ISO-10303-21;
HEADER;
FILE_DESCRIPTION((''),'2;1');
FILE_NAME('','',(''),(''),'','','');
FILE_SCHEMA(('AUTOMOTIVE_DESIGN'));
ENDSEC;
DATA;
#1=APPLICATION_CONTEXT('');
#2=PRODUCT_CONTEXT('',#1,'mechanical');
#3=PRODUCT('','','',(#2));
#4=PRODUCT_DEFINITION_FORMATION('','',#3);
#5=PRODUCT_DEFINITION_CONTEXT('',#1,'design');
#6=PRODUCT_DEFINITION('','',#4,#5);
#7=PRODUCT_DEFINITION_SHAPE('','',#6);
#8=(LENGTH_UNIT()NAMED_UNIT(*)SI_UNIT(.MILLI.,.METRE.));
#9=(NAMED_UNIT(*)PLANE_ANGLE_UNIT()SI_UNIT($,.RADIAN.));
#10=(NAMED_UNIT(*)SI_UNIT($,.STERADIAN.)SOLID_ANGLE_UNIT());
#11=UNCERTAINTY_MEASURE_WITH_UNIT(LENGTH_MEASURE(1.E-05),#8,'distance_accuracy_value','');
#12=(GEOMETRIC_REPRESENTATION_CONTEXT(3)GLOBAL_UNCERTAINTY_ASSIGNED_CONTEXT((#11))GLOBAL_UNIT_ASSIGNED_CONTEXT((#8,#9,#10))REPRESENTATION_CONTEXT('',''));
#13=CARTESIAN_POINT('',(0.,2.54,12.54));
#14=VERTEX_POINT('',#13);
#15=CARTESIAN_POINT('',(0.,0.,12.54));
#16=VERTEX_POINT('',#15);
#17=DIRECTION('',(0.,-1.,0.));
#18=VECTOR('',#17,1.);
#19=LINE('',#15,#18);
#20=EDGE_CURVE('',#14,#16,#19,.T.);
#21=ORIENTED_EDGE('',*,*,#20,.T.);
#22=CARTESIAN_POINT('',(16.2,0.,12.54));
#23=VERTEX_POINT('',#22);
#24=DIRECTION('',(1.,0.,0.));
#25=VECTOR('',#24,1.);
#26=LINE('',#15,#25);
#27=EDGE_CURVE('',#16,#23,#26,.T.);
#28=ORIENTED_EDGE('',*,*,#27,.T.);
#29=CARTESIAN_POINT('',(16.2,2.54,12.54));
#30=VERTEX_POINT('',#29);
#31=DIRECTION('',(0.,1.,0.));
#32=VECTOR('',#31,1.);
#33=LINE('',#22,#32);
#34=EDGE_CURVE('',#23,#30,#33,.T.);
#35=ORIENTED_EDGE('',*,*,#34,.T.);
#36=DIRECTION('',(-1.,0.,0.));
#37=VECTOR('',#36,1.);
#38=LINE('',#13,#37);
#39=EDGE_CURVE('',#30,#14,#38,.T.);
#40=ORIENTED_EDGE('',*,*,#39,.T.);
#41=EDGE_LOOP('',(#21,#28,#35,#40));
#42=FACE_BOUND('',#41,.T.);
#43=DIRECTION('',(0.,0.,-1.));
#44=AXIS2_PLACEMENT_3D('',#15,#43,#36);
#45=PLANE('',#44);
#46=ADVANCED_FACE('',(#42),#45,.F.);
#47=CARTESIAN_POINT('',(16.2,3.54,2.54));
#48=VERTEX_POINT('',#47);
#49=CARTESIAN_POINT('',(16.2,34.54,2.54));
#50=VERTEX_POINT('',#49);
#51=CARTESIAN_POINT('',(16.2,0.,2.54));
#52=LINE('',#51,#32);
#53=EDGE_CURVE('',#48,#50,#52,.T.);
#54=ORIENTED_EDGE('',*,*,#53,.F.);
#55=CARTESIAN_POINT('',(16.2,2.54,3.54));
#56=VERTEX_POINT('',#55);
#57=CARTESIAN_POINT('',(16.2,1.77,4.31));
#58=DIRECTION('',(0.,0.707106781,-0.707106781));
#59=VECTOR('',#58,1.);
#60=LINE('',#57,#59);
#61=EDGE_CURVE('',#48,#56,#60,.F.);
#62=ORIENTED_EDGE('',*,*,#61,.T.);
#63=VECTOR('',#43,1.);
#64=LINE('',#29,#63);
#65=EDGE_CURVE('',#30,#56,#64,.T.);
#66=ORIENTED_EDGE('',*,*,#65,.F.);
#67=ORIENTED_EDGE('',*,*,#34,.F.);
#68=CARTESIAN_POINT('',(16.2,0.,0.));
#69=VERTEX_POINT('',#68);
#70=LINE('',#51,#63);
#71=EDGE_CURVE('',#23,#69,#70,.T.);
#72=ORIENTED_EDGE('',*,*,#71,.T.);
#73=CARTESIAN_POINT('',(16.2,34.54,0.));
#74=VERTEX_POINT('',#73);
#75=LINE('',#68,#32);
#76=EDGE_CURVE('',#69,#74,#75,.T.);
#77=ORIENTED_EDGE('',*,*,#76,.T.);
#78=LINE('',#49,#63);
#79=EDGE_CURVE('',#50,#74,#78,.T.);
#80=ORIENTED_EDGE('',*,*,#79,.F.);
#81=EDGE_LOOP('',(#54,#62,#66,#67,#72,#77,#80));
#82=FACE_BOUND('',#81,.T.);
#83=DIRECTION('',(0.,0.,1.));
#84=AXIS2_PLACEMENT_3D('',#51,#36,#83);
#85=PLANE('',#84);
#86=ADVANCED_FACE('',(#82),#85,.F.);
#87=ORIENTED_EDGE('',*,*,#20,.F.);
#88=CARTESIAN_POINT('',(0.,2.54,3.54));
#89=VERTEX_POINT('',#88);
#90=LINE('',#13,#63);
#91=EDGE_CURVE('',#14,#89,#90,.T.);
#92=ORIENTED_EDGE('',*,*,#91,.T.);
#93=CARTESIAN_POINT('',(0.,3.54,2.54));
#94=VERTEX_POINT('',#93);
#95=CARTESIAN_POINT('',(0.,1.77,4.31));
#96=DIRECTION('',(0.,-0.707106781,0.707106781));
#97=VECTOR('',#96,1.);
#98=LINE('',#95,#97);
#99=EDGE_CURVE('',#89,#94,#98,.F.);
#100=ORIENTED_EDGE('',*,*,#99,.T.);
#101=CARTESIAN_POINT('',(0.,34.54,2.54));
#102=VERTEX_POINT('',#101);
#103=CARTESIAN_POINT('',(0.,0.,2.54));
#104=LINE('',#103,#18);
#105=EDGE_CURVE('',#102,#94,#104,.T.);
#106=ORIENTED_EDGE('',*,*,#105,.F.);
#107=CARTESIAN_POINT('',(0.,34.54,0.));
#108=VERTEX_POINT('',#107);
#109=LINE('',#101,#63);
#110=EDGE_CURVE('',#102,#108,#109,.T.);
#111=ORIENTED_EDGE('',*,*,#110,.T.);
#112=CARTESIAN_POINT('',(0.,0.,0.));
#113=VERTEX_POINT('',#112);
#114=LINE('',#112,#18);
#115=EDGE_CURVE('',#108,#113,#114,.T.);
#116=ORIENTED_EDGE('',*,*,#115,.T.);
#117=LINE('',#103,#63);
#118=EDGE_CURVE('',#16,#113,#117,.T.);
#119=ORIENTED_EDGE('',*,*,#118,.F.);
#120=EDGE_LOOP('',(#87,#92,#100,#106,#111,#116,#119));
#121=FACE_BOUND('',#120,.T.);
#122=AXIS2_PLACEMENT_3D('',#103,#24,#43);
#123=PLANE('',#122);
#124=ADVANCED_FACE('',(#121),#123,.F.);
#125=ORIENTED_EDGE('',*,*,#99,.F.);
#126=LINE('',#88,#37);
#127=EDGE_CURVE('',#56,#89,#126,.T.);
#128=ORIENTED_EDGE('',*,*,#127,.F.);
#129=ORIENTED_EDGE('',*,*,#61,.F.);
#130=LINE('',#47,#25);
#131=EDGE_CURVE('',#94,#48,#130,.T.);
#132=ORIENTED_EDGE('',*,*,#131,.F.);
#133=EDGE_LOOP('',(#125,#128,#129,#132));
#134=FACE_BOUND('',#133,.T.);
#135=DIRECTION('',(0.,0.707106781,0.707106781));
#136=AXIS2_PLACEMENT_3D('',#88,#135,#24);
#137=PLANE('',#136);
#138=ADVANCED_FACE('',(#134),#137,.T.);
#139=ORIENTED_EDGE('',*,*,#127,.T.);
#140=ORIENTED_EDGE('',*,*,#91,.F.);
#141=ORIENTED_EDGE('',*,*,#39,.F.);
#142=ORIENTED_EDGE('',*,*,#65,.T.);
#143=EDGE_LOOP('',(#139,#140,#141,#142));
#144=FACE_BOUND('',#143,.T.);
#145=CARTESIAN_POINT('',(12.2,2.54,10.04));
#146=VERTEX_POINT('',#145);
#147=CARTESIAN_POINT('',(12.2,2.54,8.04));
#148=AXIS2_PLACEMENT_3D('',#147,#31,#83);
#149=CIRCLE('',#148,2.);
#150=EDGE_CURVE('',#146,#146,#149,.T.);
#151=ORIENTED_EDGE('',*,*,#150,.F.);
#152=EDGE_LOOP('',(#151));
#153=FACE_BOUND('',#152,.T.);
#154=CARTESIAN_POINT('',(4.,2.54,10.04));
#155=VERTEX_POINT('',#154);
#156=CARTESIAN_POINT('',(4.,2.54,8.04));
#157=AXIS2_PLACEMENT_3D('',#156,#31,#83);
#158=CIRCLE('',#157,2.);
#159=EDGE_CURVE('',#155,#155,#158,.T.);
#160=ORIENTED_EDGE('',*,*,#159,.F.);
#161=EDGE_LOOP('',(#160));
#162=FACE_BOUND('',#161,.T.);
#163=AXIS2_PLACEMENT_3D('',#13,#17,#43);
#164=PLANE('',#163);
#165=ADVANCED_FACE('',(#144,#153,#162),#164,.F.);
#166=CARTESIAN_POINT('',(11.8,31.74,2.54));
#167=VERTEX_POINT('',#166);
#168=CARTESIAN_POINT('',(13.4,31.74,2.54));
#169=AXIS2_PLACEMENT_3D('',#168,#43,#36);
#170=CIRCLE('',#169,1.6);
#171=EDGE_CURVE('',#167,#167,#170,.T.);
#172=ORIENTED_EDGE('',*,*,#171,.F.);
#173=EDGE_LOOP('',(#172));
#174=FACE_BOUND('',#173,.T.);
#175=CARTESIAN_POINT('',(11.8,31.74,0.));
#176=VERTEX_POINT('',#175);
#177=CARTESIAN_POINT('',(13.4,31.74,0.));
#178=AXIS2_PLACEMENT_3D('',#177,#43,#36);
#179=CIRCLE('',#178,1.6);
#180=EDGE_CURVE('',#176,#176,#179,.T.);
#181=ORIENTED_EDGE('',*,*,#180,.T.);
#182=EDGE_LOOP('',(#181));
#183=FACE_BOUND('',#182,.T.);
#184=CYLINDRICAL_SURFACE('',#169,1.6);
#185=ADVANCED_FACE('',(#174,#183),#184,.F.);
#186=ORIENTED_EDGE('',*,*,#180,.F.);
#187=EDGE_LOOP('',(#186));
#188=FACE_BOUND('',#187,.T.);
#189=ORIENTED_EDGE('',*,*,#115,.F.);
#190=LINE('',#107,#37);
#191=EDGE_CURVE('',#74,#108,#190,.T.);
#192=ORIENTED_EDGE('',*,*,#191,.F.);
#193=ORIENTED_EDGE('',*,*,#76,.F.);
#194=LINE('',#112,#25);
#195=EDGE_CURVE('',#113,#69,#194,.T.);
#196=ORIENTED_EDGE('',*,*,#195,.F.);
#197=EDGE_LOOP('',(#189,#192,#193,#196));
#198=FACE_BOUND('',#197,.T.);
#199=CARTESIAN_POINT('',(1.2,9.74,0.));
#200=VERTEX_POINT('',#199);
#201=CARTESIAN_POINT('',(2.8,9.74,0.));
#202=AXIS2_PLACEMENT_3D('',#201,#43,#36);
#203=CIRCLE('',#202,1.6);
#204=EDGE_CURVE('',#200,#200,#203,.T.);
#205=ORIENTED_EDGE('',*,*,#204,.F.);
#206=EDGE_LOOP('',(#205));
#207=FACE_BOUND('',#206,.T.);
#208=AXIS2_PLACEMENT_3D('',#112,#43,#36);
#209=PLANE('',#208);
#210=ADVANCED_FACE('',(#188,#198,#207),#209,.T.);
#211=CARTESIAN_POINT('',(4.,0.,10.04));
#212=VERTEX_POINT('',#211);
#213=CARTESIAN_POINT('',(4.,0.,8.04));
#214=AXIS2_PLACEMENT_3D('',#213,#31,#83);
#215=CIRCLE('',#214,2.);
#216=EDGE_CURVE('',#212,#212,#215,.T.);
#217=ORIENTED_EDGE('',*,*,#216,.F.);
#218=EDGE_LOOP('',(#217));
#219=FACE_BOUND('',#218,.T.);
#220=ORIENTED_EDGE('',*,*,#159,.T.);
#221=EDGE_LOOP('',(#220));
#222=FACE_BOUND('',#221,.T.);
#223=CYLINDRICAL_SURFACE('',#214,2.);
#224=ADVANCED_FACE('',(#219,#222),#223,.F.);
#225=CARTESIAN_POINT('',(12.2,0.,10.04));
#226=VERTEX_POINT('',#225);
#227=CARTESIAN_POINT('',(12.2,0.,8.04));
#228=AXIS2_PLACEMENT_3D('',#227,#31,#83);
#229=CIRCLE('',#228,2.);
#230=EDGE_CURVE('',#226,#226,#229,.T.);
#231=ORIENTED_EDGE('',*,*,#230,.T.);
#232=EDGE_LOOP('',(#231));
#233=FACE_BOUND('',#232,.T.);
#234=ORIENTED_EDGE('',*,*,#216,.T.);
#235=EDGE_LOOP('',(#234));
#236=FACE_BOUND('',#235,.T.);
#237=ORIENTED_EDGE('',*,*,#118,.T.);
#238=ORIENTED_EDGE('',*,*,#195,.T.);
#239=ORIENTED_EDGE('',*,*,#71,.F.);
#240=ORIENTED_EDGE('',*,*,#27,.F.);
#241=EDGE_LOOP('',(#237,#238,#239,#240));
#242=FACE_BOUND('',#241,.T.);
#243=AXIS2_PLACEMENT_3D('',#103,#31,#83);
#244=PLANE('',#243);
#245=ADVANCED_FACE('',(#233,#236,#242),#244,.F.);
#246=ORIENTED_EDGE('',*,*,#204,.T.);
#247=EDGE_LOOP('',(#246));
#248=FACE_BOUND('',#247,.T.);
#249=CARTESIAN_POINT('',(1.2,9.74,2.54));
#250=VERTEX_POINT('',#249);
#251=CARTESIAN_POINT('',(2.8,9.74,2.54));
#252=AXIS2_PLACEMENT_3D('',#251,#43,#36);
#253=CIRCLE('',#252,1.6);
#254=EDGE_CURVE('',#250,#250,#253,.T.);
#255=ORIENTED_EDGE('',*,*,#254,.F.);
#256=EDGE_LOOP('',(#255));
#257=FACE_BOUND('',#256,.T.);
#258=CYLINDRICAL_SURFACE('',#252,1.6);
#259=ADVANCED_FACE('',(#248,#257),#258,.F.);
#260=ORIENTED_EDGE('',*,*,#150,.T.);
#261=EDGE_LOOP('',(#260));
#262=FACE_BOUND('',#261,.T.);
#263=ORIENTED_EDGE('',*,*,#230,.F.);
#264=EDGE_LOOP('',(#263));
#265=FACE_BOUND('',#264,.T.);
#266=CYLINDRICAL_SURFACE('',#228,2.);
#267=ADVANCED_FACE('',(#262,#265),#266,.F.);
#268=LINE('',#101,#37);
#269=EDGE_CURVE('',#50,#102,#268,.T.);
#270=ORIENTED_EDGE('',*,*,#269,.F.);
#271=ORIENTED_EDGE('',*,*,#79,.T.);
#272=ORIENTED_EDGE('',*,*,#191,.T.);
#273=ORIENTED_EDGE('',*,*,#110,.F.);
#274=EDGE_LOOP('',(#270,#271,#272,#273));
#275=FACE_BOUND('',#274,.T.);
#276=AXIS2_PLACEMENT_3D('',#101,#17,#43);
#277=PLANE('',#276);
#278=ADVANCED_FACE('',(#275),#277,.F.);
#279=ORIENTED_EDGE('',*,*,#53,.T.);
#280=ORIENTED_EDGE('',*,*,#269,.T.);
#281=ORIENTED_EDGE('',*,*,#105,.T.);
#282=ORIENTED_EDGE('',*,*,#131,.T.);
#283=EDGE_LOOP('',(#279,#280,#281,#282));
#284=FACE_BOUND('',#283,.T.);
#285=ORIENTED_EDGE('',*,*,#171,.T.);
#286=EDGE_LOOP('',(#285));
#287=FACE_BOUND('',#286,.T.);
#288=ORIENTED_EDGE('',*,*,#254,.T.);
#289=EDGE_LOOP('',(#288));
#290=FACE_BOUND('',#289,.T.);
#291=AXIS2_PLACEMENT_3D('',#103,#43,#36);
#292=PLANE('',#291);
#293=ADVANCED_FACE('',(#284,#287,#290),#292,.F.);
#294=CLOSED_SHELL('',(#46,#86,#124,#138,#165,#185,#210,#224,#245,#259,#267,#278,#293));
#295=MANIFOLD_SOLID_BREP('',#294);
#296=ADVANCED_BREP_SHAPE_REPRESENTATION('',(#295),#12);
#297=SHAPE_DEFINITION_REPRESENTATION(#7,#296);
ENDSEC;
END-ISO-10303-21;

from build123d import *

# Parameters (mm, degrees)
SKETCH1_W           = 16.2
SKETCH1_H           = 34.54
BOSS_EXTRUDE1_DEPTH = 2.54
SKETCH2_W           = 16.2
SKETCH2_H           = 2.54
BOSS_EXTRUDE2_DEPTH = 10
CHAMFER1_SIZE       = 1
SKETCH4_R           = 1.6
CUT_EXTRUDE1_DEPTH  = 2.54
SKETCH5_R           = 2
CUT_EXTRUDE2_DEPTH  = 3.54


with BuildPart() as part:
    # Sketch1 → Boss-Extrude1 (new body)
    with BuildSketch(Plane.XY):
        with Locations((8.1, 17.27)):
            Rectangle(SKETCH1_W, SKETCH1_H)
    extrude(amount=BOSS_EXTRUDE1_DEPTH)

    # Sketch2 → Boss-Extrude2 (add)
    with BuildSketch(Plane.XY.offset(2.54)):
        with Locations((8.1, 1.27)):
            Rectangle(SKETCH2_W, SKETCH2_H)
    extrude(amount=BOSS_EXTRUDE2_DEPTH)

    # Chamfer1
    chamfer1_edges = [part.edges().sort_by_distance(p)[0] for p in [
        (8.1, 2.54, 2.54),
    ]]
    chamfer(chamfer1_edges, length=CHAMFER1_SIZE)

    # Sketch4 → Cut-Extrude1 (cut)
    with BuildSketch(Plane(origin=(0, 0, 0), x_dir=(-1, 0, 0), z_dir=(0, 0, -1))):
        with Locations((-13.4, 31.74)):
            Circle(SKETCH4_R)
        with Locations((-2.8, 9.74)):
            Circle(SKETCH4_R)
    extrude(amount=-CUT_EXTRUDE1_DEPTH, mode=Mode.SUBTRACT)

    # Sketch5 → Cut-Extrude2 (cut, through all)
    with BuildSketch(Plane(origin=(0, 2.54, 0), x_dir=(1, 0, 0), z_dir=(0, 1, 0))):
        with Locations((12.2, -8.04)):
            Circle(SKETCH5_R)
        with Locations((4, -8.04)):
            Circle(SKETCH5_R)
    extrude(amount=-CUT_EXTRUDE2_DEPTH, mode=Mode.SUBTRACT)


solid = part.part
